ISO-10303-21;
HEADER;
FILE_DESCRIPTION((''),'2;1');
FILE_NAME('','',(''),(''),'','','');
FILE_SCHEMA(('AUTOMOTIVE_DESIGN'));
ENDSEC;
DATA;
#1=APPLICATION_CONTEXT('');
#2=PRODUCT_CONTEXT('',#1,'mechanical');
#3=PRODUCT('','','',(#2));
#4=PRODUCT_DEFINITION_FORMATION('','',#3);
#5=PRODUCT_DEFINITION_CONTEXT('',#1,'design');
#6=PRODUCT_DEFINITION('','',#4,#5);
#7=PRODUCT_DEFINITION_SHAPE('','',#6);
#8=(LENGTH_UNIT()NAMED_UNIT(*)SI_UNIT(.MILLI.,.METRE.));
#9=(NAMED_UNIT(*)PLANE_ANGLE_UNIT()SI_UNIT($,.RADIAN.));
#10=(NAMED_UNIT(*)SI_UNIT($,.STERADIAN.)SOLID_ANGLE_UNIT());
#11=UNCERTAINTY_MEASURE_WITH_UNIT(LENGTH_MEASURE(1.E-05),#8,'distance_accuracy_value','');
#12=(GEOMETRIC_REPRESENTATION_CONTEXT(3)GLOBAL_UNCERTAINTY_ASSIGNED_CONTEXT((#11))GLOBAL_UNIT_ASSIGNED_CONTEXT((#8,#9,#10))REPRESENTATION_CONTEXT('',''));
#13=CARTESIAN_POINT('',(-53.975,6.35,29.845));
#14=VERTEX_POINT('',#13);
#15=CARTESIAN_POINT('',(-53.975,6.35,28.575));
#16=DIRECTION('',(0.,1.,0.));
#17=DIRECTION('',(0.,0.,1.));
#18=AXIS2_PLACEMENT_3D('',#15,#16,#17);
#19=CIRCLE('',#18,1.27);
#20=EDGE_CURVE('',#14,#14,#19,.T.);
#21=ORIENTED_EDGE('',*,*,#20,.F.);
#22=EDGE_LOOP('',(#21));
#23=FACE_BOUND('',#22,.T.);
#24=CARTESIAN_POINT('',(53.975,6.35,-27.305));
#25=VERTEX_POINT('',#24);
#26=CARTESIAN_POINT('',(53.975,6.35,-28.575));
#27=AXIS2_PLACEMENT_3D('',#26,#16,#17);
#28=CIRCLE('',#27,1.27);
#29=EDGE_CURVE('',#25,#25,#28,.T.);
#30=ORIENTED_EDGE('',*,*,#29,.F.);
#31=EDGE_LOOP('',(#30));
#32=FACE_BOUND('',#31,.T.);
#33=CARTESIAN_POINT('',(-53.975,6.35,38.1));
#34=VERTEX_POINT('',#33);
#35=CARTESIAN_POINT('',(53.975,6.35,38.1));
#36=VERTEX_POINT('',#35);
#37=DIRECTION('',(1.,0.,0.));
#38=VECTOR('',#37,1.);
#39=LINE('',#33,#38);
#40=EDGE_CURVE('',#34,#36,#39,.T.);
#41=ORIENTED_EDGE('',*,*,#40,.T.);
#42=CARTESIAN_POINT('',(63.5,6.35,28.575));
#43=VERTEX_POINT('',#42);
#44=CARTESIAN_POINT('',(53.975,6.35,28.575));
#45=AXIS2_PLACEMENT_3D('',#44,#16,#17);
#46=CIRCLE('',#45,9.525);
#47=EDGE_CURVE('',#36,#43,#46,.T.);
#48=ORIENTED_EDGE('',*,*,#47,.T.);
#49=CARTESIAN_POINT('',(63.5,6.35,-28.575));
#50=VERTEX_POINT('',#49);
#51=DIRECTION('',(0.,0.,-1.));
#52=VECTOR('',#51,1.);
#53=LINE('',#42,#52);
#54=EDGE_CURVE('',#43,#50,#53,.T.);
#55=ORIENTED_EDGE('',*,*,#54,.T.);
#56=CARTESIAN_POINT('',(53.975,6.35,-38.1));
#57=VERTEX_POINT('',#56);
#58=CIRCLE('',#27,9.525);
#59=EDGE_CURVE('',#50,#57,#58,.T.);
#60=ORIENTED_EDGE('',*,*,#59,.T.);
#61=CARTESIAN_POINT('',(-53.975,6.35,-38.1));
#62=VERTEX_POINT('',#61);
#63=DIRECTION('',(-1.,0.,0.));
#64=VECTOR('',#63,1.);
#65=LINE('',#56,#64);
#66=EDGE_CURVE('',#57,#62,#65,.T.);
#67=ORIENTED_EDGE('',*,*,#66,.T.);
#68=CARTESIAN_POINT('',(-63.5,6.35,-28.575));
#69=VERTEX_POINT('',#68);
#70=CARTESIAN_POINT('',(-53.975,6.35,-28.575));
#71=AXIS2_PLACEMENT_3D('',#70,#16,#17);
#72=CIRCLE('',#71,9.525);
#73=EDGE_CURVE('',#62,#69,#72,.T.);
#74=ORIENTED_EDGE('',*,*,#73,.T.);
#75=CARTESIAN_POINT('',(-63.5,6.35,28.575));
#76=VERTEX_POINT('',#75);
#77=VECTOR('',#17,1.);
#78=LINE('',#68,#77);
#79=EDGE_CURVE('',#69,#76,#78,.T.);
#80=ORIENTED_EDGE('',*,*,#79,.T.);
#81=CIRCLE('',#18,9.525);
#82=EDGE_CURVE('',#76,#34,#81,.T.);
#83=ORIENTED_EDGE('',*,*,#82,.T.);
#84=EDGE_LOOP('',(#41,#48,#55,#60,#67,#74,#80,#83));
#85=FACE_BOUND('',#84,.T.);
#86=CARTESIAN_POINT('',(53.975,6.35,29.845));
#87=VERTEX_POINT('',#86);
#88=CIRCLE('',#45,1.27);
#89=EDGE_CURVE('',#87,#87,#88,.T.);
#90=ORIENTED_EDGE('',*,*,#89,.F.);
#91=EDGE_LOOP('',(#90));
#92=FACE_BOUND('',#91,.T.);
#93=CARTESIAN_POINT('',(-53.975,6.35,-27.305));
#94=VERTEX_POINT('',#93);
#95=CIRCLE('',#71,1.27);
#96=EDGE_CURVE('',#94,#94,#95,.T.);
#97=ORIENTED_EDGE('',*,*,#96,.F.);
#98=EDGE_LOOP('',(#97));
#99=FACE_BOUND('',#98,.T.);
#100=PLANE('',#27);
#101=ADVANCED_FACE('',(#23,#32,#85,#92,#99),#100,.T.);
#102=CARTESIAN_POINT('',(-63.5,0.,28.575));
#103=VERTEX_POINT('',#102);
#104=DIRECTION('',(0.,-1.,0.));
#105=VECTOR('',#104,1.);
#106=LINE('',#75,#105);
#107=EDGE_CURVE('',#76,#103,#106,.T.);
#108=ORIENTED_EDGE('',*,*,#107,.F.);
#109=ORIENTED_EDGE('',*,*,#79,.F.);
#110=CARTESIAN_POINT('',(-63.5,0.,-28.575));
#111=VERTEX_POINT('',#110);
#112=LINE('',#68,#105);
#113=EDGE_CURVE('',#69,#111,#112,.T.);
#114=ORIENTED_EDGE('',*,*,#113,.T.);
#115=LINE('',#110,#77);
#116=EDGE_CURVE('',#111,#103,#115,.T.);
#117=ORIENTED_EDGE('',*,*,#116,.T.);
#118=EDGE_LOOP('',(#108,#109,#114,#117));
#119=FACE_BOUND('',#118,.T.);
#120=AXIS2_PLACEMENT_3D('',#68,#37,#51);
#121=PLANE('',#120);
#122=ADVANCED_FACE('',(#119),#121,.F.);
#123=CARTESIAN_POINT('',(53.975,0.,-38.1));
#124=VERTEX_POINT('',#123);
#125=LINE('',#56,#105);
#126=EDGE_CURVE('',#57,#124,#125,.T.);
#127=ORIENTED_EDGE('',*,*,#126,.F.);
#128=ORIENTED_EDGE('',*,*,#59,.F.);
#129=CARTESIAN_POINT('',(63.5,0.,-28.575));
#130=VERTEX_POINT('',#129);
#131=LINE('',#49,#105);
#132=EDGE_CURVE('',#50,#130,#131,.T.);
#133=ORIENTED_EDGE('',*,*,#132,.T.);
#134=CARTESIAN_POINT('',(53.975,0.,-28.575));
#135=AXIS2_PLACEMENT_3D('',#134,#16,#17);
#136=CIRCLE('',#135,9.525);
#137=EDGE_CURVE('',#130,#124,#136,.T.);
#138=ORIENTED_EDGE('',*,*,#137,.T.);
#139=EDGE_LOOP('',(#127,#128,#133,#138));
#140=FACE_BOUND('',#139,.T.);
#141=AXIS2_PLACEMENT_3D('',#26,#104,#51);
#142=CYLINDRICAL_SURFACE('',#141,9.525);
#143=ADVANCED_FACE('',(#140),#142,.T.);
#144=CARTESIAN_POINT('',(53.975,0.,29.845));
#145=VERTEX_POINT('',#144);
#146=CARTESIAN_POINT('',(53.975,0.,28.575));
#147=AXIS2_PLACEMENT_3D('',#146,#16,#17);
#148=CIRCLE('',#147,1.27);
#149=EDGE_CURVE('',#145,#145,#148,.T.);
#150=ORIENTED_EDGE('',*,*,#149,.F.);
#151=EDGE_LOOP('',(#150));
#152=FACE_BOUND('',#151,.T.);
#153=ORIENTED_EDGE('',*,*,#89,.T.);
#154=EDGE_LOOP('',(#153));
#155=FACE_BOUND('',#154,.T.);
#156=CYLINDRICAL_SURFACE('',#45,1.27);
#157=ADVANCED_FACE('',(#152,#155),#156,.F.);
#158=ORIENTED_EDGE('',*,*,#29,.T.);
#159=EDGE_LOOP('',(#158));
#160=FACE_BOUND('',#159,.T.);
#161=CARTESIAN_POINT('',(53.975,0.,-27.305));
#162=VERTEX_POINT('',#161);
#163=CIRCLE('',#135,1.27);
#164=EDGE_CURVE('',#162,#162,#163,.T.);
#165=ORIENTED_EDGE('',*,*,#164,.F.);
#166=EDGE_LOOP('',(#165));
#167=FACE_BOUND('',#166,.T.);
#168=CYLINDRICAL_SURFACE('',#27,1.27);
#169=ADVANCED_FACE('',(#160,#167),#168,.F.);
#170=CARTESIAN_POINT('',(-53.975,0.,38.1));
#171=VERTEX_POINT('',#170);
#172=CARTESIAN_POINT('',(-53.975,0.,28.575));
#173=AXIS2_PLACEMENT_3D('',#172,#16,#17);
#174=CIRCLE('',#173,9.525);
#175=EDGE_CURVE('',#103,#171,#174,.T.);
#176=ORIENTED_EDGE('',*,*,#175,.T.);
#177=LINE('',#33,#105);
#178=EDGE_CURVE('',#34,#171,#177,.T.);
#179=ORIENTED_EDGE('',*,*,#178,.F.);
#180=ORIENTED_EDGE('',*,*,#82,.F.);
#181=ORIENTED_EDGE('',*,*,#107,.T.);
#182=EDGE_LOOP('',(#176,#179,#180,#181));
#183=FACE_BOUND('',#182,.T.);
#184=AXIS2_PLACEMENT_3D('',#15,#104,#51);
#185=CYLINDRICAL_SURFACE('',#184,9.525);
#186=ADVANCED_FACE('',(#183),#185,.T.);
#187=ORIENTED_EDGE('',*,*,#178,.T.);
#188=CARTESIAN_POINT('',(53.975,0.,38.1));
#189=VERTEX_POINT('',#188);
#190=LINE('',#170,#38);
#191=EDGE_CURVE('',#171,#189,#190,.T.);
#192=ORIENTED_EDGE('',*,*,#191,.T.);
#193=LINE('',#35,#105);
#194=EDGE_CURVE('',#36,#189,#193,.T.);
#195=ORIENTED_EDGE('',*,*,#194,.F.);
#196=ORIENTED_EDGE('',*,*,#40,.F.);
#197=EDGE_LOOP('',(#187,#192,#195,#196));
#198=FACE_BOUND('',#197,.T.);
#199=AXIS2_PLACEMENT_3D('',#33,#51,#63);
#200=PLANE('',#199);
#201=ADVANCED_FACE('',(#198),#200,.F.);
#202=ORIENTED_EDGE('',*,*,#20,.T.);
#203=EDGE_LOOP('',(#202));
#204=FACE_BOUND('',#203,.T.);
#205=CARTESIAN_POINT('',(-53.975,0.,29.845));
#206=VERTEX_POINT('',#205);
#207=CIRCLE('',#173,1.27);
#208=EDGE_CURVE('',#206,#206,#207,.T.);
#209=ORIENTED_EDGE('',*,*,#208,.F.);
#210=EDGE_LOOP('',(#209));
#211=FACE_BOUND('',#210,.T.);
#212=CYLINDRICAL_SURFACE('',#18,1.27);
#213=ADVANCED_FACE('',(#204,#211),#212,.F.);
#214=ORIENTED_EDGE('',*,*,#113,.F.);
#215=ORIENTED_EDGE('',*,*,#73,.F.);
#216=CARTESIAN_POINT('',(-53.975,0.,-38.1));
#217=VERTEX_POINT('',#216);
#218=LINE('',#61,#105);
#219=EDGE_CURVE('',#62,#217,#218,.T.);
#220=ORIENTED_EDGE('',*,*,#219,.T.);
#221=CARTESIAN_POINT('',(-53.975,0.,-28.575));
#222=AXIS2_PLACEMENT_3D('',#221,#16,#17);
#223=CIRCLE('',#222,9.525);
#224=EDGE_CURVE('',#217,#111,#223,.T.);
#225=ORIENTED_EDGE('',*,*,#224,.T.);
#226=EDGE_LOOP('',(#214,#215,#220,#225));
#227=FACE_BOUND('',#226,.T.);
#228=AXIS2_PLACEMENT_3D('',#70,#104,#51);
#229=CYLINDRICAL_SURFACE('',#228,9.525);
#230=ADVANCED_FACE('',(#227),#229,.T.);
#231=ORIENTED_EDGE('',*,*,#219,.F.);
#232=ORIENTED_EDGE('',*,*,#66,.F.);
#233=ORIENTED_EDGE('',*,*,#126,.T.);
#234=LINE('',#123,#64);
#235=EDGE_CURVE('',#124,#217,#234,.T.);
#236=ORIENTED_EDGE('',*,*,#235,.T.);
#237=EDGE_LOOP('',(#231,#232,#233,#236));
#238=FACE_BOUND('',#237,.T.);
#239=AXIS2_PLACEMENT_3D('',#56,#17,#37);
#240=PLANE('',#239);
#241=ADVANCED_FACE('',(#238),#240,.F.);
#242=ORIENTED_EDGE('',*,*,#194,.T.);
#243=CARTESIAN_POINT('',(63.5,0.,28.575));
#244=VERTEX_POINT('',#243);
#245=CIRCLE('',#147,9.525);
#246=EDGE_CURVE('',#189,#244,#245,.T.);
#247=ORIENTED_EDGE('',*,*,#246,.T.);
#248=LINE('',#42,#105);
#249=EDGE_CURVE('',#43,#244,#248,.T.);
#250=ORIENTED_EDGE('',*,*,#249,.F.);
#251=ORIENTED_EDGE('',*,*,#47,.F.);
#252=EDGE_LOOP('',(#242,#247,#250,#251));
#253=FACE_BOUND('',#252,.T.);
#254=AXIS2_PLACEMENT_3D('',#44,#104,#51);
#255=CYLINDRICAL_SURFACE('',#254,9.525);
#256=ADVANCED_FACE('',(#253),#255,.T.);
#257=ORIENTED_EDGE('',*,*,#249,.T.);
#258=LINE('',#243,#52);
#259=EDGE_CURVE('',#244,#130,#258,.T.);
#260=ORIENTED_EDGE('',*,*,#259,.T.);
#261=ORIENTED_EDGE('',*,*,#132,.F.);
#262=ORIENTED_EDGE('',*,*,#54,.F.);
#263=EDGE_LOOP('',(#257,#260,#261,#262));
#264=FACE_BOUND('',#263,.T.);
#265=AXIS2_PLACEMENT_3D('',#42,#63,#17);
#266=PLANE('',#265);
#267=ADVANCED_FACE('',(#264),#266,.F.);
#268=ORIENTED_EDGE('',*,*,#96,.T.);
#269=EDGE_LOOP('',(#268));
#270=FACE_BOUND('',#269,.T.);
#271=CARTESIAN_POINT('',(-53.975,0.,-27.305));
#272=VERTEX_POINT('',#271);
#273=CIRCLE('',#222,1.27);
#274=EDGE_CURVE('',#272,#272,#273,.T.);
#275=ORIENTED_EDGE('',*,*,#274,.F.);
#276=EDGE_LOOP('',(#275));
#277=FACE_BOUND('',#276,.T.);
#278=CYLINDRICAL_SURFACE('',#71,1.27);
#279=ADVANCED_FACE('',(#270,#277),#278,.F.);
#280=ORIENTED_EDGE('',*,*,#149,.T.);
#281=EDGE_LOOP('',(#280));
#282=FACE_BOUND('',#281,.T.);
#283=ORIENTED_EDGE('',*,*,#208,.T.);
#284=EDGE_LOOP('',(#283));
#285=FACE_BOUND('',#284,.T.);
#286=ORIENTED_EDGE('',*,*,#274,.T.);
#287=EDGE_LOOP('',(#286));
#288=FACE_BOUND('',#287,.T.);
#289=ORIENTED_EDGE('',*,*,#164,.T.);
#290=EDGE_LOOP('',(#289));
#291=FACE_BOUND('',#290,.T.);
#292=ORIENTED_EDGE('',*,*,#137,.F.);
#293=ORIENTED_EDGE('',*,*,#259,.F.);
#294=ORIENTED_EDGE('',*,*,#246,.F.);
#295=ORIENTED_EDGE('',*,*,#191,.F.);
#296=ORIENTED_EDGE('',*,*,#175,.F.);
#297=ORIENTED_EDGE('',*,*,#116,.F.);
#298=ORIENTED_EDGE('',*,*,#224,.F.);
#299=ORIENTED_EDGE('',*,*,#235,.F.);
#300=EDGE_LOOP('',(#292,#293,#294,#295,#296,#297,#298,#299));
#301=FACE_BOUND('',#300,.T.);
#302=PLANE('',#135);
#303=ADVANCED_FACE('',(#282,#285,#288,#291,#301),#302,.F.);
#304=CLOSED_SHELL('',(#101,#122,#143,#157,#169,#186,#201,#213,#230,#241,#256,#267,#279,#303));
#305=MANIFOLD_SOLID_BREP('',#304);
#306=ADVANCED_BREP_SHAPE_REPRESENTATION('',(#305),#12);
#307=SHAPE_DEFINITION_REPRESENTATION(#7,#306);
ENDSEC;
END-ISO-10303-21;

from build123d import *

# Parameters (mm, degrees)
BOSS_EXTRUDE1_DEPTH       = 6.35
F_6_40_TAPPED_HOLE2_D     = 2.54
F_6_40_TAPPED_HOLE2_DEPTH = 8.9154
F_6_40_TAPPED_HOLE2_TIP   = 0.763092986


with BuildPart() as part:
    # Sketch1 → Boss-Extrude1 (new body)
    with BuildSketch(Plane(origin=(0, 0, 0), x_dir=(1, 0, 0), z_dir=(0, 1, 0))):
        with BuildLine():
            Line((63.5, -28.575), (63.5, 28.575))
            ThreePointArc((63.5, 28.575), (60.710192091, 35.310192091), (53.975, 38.1))
            Line((53.975, 38.1), (-53.975, 38.1))
            ThreePointArc((-53.975, 38.1), (-60.710192091, 35.310192091), (-63.5, 28.575))
            Line((-63.5, 28.575), (-63.5, -28.575))
            ThreePointArc((-63.5, -28.575), (-60.710192091, -35.310192091), (-53.975, -38.1))
            Line((-53.975, -38.1), (53.975, -38.1))
            ThreePointArc((53.975, -38.1), (60.710192091, -35.310192091), (63.5, -28.575))
        make_face()
    extrude(amount=BOSS_EXTRUDE1_DEPTH)

    # #6-40 Tapped Hole2
    with Locations(Plane(origin=(53.975, 6.35, -28.575), x_dir=(0, 0, 1), z_dir=(0, 1, 0))):
        with Locations((0, 0), (57.15, 0), (0, -107.95), (57.15, -107.95)):
            Hole(F_6_40_TAPPED_HOLE2_D / 2, depth=F_6_40_TAPPED_HOLE2_DEPTH)
            with Locations((0, 0, -(F_6_40_TAPPED_HOLE2_DEPTH + F_6_40_TAPPED_HOLE2_TIP / 2))):  # 118° drill point
                Cone(0, F_6_40_TAPPED_HOLE2_D / 2, F_6_40_TAPPED_HOLE2_TIP, mode=Mode.SUBTRACT)


solid = part.part
